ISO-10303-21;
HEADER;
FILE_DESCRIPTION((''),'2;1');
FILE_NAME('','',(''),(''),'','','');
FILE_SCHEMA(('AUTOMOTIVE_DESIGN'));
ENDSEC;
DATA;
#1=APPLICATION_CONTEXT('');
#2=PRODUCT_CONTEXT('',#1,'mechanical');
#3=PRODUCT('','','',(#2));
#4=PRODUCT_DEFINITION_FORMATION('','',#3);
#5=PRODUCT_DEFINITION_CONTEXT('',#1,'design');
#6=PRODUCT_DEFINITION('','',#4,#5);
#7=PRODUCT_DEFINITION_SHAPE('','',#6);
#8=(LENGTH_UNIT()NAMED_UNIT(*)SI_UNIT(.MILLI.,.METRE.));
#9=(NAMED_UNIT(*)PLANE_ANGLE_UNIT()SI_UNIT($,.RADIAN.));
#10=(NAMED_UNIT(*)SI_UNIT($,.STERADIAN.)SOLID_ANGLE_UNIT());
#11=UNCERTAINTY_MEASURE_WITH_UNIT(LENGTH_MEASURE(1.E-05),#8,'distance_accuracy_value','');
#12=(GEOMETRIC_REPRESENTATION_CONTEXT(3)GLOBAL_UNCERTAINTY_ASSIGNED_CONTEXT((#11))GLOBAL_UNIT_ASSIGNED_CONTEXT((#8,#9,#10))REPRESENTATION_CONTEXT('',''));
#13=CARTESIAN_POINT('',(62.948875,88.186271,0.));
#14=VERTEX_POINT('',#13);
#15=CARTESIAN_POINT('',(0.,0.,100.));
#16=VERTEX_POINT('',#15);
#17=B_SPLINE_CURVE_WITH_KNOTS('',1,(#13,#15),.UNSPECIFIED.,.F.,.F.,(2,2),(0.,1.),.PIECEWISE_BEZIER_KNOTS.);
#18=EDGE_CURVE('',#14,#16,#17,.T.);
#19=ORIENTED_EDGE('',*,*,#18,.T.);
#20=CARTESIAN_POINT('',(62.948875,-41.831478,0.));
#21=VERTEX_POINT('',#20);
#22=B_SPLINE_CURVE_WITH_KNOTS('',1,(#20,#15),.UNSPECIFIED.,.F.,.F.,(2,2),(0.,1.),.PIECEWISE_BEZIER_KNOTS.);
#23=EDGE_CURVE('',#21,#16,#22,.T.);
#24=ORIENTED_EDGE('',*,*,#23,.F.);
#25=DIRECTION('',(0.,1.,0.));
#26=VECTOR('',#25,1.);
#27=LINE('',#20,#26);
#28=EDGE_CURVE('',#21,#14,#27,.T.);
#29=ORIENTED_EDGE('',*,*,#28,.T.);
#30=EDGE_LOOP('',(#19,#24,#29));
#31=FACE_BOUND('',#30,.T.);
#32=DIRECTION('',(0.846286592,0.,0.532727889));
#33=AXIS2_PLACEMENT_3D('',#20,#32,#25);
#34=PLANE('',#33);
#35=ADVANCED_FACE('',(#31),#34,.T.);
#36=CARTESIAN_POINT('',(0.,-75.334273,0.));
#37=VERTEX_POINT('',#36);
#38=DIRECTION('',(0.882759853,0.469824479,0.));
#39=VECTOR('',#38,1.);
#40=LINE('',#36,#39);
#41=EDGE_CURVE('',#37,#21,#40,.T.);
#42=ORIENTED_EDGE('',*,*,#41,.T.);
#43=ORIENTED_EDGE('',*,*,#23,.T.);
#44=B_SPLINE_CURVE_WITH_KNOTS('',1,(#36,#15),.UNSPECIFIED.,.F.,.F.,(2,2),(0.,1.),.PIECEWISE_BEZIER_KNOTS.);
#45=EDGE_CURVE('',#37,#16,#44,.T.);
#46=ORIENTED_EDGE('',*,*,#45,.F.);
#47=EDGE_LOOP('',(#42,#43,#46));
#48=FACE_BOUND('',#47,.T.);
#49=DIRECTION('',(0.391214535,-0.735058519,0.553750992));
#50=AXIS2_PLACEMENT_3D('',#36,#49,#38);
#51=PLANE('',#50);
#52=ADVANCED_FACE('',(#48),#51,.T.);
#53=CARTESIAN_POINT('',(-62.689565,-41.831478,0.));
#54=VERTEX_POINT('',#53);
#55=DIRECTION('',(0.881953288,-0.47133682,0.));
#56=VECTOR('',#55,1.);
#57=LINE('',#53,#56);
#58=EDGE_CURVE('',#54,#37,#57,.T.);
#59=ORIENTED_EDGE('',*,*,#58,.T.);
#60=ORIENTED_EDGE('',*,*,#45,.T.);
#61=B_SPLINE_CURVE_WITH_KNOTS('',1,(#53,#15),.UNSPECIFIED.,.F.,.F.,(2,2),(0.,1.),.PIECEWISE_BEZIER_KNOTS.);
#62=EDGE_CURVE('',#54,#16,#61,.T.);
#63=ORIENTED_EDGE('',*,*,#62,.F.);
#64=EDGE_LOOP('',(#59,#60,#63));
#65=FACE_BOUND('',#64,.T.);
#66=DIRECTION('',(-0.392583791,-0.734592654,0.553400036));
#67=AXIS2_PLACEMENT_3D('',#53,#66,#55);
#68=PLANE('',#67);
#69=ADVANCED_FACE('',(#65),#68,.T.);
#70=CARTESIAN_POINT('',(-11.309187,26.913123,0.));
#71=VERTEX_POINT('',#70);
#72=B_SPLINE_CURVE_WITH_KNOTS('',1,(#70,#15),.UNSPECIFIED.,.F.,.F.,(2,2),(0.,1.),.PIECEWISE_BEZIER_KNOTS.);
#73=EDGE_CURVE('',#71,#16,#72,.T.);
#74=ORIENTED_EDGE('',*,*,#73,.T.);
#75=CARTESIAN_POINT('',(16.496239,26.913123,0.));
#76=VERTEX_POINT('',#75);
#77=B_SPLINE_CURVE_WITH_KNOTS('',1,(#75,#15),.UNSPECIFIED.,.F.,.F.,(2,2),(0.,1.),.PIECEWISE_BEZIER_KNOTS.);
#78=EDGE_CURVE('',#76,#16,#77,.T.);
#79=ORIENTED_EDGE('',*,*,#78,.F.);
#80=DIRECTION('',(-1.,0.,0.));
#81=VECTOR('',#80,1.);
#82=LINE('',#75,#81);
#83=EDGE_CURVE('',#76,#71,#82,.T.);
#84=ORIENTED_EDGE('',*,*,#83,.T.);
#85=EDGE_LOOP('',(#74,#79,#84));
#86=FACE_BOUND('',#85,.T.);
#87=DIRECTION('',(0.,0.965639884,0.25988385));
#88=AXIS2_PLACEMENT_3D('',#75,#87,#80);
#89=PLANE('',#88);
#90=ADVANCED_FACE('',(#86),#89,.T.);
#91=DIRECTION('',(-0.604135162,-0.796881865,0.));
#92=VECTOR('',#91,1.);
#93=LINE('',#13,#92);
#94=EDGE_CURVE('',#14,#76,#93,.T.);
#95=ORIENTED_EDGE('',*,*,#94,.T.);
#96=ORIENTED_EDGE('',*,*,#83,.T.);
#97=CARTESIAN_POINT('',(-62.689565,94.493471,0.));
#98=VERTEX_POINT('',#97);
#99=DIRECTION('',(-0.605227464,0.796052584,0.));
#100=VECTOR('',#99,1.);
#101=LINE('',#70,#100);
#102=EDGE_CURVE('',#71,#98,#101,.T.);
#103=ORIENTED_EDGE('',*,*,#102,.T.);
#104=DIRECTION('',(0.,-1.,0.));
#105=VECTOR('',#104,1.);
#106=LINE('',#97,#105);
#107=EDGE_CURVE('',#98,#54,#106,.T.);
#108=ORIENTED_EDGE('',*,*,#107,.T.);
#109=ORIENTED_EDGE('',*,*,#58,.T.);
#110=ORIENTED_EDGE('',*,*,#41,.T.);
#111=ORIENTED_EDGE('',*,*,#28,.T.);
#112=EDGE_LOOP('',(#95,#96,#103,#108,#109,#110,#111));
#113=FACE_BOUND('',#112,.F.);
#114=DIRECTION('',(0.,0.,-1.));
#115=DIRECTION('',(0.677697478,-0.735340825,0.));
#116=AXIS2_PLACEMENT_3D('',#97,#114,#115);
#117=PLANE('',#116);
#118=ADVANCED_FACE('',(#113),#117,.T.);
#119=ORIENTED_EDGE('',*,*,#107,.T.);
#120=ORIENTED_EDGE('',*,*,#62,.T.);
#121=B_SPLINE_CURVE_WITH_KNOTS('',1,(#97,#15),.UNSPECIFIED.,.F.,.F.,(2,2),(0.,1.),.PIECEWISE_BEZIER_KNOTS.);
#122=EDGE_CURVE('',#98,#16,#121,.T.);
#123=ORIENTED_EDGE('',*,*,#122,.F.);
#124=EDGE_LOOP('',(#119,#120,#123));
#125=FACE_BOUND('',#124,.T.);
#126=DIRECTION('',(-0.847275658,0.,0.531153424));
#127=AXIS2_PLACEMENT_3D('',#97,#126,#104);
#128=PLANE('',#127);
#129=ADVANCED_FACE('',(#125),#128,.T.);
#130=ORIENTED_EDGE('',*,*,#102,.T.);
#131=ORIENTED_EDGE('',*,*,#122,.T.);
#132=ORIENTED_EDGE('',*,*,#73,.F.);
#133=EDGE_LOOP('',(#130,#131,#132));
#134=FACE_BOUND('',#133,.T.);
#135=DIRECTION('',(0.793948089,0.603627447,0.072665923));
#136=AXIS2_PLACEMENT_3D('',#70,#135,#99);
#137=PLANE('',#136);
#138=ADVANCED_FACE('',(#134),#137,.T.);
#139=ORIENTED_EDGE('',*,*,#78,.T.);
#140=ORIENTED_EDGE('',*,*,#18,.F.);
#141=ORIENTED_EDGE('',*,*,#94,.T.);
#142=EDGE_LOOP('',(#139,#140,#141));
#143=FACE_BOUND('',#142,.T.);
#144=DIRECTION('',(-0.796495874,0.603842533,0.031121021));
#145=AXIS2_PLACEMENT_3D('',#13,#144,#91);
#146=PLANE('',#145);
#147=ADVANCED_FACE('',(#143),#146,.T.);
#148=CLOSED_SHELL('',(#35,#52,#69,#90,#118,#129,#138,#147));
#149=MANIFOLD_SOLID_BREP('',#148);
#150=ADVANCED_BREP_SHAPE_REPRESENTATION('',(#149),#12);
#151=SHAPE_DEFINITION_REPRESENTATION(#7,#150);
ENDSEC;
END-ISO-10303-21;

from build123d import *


with BuildPart() as f3:
    # F0 (on Top) → F3 section 0
    with BuildSketch(Plane.XY, mode=Mode.PRIVATE) as f3_s0:
        Polygon((-62.689565, 94.493471), (-62.689565, 20.037804), (-62.689565, -41.831478), (0, -75.334273), (62.948875, -41.831478), (62.948875, 16.272474), (62.948875, 88.186271), (16.496239, 26.913123), (-11.309187, 26.913123), align=None)
    loft([f3_s0.sketch, Vertex(0, 0, 100)])


solid = f3.part
